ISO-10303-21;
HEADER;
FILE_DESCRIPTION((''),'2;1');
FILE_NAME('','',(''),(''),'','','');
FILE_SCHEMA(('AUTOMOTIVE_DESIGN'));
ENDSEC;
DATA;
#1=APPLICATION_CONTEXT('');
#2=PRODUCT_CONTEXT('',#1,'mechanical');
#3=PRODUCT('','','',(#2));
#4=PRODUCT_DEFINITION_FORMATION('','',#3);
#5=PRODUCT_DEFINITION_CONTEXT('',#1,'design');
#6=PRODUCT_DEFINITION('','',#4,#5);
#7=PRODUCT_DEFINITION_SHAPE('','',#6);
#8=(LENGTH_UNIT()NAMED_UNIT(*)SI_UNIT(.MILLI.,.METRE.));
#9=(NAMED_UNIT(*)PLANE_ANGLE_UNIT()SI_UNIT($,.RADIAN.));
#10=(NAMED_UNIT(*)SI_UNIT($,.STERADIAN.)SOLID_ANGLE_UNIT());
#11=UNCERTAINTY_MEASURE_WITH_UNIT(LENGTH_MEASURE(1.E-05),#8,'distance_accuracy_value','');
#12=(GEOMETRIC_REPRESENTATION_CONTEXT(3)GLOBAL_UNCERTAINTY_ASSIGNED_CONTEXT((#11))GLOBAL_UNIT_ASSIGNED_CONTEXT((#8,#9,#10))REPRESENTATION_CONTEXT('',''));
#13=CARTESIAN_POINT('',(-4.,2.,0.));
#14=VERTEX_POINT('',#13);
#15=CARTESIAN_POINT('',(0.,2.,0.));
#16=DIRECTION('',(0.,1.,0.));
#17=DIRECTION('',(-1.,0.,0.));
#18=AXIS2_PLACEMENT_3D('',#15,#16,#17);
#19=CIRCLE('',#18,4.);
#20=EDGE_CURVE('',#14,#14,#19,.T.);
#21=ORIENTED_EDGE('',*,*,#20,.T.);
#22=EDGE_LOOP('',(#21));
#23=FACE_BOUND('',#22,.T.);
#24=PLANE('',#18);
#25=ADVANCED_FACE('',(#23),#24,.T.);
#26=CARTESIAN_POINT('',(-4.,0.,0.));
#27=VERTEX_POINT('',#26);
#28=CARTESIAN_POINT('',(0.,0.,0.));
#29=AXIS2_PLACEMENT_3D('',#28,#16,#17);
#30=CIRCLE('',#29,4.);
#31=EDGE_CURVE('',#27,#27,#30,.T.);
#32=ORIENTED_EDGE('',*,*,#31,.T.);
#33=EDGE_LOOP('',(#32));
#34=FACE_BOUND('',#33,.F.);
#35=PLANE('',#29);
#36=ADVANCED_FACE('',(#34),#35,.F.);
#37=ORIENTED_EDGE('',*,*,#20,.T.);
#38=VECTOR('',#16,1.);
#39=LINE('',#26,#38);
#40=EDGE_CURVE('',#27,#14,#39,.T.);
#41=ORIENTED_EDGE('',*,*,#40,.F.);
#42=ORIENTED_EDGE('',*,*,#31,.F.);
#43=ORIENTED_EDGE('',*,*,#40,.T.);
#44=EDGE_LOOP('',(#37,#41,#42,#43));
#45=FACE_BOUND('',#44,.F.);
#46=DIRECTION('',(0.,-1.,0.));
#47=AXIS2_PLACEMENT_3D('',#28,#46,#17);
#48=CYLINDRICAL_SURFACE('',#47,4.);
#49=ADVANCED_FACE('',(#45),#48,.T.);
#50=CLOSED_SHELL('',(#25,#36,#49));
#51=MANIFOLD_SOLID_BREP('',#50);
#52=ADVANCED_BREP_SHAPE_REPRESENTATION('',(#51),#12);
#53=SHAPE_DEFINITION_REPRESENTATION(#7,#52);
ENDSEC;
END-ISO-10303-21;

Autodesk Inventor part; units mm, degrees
ref_plane "YZ Plane" through (0, 0, 0) normal (1, 0, 0) x (0, 1, 0)
ref_plane "XZ Plane" through (0, 0, 0) normal (0, 1, 0) x (-1, 0, 0)
ref_plane "XY Plane" through (0, 0, 0) normal (0, 0, 1) x (1, 0, 0)
sketch "Sketch1" plane through (0, 0, 0) normal (0, 1, 0) x (-1, 0, 0)
  circle A0 centre (0, 0) radius 4
  dimension "d0" = 8
extrude "Extrusion1" add sketch "Sketch1" along normal blind 2
properties part number "cap injector" material "Bronze, Cast"
